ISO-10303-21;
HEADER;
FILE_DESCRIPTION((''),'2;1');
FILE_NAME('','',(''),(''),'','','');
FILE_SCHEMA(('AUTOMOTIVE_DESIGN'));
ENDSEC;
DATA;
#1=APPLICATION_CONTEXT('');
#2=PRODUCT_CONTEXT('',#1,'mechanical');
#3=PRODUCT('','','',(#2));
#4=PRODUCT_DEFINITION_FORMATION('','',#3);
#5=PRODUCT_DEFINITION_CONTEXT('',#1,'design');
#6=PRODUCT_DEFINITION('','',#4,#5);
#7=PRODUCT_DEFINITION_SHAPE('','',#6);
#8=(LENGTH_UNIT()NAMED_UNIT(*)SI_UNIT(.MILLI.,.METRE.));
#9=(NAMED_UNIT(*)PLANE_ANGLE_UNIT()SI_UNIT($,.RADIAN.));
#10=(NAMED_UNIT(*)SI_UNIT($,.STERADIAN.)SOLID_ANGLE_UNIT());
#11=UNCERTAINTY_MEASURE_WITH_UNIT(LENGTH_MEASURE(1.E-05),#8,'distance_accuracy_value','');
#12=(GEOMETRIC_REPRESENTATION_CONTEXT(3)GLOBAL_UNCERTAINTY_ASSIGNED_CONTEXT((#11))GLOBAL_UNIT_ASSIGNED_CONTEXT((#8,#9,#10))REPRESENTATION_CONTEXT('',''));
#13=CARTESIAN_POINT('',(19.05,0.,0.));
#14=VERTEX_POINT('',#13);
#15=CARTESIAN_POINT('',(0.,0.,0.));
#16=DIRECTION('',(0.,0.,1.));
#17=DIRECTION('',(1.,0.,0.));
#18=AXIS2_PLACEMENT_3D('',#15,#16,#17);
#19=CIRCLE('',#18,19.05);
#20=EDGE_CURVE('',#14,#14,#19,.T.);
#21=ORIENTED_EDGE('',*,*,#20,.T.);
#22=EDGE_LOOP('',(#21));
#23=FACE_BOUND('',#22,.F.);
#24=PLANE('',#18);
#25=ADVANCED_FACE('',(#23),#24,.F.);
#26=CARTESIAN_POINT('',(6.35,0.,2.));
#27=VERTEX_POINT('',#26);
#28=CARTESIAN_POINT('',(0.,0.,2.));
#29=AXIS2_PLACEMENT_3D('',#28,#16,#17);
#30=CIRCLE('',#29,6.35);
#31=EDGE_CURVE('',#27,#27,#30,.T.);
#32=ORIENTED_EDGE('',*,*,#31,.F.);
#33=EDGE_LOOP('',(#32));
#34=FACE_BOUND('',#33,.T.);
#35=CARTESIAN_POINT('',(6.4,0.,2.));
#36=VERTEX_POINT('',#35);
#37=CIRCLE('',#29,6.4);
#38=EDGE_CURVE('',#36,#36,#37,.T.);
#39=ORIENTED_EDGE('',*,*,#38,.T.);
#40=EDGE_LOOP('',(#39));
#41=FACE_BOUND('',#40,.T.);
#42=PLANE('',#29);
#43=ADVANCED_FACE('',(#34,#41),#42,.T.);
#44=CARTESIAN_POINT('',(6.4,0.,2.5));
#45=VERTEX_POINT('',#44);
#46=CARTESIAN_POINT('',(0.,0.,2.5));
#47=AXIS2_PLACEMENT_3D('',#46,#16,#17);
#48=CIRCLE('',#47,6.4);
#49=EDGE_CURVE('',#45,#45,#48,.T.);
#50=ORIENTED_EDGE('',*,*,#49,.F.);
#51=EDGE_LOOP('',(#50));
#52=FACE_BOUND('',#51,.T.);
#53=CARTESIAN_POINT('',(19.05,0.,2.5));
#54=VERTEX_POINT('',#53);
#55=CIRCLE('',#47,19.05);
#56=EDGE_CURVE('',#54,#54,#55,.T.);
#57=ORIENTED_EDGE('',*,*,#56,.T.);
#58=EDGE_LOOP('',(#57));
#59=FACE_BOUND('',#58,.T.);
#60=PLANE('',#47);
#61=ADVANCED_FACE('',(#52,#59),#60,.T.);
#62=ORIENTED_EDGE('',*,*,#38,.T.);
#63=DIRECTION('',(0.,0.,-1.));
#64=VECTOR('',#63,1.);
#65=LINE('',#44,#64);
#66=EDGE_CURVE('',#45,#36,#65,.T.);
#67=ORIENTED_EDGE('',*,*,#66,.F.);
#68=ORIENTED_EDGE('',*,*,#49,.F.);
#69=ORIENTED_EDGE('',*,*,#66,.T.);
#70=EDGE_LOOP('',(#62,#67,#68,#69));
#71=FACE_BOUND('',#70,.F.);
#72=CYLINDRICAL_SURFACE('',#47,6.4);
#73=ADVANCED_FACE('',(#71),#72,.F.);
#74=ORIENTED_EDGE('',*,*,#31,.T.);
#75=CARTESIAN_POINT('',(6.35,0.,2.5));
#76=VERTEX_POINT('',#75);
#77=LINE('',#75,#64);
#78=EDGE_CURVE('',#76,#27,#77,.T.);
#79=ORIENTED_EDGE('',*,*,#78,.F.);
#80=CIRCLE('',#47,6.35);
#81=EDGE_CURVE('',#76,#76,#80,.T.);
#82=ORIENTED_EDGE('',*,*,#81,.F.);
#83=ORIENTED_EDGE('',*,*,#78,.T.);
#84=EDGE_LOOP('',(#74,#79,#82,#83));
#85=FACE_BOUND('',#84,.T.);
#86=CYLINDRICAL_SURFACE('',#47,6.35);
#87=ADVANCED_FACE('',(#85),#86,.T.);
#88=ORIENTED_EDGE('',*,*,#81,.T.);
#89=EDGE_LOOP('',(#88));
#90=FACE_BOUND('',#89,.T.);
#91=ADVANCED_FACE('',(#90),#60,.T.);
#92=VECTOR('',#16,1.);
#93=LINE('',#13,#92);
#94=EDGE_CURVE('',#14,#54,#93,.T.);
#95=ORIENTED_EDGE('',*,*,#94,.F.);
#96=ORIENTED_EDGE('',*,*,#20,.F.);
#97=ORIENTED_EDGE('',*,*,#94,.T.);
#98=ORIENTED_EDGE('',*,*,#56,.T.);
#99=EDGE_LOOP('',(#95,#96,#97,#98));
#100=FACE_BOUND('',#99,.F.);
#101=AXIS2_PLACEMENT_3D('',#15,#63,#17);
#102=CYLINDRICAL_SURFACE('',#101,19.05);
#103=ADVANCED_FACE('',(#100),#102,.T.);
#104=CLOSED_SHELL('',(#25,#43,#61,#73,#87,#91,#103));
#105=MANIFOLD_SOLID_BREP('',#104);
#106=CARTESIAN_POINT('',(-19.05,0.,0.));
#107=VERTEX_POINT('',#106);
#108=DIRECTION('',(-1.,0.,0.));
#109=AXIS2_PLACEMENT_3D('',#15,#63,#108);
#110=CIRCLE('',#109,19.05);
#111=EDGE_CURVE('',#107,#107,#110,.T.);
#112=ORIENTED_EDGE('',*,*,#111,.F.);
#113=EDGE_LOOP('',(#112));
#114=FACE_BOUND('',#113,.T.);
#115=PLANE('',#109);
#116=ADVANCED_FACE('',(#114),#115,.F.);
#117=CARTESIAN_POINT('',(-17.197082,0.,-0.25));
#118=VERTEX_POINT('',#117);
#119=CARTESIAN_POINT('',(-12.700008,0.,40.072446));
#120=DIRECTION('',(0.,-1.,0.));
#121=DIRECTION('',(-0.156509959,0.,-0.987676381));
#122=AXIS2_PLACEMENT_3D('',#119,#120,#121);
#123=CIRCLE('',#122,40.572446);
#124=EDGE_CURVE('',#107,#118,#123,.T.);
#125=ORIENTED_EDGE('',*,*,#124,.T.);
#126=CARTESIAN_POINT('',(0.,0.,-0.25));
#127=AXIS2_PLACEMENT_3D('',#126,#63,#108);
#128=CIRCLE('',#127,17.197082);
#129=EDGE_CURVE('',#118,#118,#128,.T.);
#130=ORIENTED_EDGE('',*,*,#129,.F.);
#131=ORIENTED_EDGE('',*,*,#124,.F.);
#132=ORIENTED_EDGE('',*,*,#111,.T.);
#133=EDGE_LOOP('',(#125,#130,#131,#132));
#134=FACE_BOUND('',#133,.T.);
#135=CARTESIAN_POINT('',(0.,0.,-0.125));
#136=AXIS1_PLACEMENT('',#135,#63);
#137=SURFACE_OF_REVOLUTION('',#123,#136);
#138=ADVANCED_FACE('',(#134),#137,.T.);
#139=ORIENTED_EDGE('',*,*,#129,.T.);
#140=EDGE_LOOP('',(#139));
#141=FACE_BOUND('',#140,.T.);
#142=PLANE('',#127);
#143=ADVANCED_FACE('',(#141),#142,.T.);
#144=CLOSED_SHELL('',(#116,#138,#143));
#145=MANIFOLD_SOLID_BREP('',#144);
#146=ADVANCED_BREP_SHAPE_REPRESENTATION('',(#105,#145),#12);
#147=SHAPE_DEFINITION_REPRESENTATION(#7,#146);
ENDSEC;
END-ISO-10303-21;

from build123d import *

# Parameters (mm, degrees)
F0_R     = 19.05
F1_DEPTH = 2.5
F2_R     = 6.4
F2_R_2   = 6.35
F3_DEPTH = 0.5


with BuildPart() as f1:
    # F0 (on Top) → F1 (new body)
    with BuildSketch(Plane.XY):
        Circle(F0_R)
    extrude(amount=F1_DEPTH)

    # F2 (on face) → F3 (cut)
    with BuildSketch(Plane.XY.offset(2.5)):
        Circle(F2_R)
        Circle(F2_R_2, mode=Mode.SUBTRACT)
    extrude(amount=-F3_DEPTH, mode=Mode.SUBTRACT)


with BuildPart() as f5:
    # F4 (on Front) → F5 (revolve)
    with BuildSketch(Plane.XZ):
        with BuildLine():
            Line((0, 0), (-19.05, 0))
            ThreePointArc((-19.05, 0), (-18.124981, -0.135675), (-17.197082, -0.25))
            Line((-17.197082, -0.25), (0, -0.25))
            Line((0, -0.25), (0, 0))
        make_face()
    revolve(axis=Axis((0, 0, -0.125), (0, 0, -1)))


solid = Compound([f1.part, f5.part])
